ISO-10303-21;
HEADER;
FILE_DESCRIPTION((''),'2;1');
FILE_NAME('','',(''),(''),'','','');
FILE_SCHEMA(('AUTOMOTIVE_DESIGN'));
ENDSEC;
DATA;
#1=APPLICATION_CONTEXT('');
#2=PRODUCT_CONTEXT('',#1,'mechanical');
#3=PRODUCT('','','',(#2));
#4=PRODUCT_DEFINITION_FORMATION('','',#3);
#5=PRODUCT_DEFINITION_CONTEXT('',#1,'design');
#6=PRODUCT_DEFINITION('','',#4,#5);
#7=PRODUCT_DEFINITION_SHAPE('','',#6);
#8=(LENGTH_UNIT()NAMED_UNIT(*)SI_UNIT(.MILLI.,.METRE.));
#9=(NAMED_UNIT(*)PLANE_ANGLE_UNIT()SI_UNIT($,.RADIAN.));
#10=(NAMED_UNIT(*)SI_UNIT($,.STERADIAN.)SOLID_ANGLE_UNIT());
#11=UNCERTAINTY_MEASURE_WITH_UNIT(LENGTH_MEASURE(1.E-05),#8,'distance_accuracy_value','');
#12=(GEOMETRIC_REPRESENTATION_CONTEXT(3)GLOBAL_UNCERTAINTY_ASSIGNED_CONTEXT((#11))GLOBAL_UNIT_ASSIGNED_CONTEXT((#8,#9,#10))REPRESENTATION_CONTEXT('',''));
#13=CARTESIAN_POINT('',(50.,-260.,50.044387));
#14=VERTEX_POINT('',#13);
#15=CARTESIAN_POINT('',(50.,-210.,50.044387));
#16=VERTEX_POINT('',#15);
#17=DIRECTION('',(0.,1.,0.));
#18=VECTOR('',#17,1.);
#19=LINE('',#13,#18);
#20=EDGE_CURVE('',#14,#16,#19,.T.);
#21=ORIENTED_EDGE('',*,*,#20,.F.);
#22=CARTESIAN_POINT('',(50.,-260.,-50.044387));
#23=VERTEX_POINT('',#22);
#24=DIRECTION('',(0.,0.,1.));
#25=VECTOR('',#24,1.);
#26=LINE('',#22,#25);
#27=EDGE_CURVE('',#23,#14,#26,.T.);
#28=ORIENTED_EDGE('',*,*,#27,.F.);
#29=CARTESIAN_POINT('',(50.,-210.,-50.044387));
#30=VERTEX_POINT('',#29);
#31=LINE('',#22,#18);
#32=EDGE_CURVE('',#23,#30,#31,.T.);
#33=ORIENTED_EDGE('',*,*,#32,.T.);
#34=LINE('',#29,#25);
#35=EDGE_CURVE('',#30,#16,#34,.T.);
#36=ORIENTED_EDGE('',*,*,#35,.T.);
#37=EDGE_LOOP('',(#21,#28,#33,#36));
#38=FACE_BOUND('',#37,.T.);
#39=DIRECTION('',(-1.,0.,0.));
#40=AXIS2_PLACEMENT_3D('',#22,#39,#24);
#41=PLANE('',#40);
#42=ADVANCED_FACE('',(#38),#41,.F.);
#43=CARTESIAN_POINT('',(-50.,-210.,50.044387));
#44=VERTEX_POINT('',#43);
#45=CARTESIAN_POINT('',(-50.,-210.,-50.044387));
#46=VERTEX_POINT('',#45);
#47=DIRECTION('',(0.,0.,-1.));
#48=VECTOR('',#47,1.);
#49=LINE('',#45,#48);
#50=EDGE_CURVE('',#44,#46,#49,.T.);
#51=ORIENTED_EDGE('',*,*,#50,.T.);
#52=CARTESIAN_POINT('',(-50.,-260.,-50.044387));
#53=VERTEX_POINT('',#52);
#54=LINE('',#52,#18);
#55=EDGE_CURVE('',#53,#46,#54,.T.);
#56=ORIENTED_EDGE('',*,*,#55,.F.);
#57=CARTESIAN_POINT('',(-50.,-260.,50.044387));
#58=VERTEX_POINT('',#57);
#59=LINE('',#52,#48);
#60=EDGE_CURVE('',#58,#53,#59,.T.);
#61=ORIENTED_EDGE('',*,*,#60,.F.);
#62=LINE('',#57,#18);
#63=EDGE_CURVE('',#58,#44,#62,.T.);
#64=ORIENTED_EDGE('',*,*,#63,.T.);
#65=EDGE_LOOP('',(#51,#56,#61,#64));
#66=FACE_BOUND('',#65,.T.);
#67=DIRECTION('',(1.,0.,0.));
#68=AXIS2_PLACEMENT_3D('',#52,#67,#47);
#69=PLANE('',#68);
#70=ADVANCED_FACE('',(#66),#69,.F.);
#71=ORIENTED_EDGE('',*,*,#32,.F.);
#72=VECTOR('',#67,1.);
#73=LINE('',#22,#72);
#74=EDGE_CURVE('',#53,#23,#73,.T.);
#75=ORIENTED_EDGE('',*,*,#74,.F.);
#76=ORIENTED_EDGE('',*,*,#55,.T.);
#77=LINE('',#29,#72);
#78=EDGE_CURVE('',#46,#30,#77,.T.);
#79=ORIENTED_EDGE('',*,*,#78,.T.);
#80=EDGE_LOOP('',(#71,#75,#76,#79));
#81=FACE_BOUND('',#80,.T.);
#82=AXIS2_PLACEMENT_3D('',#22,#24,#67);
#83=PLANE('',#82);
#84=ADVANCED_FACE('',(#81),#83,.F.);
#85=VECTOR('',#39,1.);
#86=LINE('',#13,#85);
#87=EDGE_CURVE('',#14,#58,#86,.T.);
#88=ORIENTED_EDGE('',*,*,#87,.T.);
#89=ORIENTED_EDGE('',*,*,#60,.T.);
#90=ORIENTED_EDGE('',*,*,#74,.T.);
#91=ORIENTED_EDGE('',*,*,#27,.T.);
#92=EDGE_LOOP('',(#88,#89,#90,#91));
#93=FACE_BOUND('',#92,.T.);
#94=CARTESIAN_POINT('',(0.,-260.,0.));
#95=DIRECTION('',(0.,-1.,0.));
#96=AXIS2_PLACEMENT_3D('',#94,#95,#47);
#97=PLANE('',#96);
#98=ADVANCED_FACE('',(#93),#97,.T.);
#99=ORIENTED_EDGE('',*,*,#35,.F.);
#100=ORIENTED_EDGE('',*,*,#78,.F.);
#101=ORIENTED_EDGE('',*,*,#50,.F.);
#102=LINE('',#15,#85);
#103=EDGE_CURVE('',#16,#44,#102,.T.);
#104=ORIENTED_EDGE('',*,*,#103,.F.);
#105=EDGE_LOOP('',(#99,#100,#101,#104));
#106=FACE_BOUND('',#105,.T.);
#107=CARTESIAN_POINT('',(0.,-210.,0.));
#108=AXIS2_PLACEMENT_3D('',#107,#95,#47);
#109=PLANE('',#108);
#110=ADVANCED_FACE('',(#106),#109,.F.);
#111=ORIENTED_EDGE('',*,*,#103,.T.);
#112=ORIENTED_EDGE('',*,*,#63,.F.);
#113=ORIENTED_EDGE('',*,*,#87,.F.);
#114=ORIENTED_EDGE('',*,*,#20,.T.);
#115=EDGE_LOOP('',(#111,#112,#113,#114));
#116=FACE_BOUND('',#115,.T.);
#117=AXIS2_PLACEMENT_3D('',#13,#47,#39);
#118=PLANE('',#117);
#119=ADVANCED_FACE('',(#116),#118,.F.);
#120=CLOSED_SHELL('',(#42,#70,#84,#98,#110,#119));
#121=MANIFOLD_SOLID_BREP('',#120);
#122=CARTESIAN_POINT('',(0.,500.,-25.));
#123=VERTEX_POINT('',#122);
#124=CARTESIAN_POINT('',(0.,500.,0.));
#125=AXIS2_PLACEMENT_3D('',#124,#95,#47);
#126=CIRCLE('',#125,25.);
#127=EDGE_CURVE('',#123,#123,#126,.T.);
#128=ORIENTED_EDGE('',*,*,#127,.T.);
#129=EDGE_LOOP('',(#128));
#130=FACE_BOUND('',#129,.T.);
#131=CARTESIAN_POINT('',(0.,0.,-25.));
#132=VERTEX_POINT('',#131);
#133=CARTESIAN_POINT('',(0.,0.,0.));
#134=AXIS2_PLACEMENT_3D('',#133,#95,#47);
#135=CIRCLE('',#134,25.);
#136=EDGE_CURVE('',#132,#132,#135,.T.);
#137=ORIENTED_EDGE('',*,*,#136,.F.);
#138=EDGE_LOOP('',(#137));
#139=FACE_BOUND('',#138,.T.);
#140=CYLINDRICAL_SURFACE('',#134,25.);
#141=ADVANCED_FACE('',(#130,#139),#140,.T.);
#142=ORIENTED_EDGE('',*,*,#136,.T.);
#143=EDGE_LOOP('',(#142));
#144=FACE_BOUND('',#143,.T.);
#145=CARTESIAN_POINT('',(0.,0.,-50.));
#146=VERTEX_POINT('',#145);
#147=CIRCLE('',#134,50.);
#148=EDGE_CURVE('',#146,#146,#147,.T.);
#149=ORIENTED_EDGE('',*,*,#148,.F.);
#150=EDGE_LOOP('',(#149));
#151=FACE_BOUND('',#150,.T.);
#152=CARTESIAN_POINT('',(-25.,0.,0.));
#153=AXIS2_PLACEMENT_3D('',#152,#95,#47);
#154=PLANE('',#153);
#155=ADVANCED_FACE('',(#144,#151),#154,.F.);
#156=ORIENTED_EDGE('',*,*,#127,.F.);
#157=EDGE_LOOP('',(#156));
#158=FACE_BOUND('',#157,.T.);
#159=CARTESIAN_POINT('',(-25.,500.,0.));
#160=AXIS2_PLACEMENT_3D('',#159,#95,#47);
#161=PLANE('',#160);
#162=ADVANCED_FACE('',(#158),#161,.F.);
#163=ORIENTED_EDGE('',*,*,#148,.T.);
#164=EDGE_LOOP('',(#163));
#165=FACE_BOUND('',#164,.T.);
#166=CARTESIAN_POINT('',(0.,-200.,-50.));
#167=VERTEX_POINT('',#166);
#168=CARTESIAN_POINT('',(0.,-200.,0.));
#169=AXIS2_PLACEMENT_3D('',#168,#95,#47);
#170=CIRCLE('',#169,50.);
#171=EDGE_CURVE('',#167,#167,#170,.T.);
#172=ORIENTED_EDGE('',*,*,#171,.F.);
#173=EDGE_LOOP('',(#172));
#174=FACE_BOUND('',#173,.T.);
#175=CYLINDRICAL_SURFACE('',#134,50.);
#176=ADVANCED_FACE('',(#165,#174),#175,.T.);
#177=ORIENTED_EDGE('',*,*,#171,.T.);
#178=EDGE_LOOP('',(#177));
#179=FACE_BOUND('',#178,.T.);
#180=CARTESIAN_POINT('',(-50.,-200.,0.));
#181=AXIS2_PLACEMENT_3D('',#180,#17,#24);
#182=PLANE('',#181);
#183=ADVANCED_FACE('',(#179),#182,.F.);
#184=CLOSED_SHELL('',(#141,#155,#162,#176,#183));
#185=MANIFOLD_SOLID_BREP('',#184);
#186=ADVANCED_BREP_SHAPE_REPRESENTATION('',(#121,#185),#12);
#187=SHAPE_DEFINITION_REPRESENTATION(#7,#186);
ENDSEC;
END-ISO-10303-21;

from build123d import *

# Parameters (mm, degrees)
SKETCH_2_W      = 100
SKETCH_2_H      = 100.088773616
EXTRUDE_1_DEPTH = 50


with BuildPart() as part:
    # 草图1 → 旋转1 (revolve)
    with BuildSketch(Plane.XY, mode=Mode.PRIVATE) as revolve_1_sk:
        Polygon((-25, 0), (-25, 500), (0, 500), (0, 0), (0, -200), (-50, -200), (-50, 0), align=None)
    revolve(revolve_1_sk.sketch.rotate(Axis((0, 0, 0), (0, 1, 0)), 270), axis=Axis((0, 0, 0), (0, 1, 0)))


with BuildPart() as body_2:
    # 草图2 → 凸台-拉伸1 (new body)
    with BuildSketch(Plane(origin=(0, -210, 0), x_dir=(-1, 0, 0), z_dir=(0, -1, 0))):
        Rectangle(SKETCH_2_W, SKETCH_2_H)
    extrude(amount=EXTRUDE_1_DEPTH)


solid = Compound([part.part, body_2.part])
